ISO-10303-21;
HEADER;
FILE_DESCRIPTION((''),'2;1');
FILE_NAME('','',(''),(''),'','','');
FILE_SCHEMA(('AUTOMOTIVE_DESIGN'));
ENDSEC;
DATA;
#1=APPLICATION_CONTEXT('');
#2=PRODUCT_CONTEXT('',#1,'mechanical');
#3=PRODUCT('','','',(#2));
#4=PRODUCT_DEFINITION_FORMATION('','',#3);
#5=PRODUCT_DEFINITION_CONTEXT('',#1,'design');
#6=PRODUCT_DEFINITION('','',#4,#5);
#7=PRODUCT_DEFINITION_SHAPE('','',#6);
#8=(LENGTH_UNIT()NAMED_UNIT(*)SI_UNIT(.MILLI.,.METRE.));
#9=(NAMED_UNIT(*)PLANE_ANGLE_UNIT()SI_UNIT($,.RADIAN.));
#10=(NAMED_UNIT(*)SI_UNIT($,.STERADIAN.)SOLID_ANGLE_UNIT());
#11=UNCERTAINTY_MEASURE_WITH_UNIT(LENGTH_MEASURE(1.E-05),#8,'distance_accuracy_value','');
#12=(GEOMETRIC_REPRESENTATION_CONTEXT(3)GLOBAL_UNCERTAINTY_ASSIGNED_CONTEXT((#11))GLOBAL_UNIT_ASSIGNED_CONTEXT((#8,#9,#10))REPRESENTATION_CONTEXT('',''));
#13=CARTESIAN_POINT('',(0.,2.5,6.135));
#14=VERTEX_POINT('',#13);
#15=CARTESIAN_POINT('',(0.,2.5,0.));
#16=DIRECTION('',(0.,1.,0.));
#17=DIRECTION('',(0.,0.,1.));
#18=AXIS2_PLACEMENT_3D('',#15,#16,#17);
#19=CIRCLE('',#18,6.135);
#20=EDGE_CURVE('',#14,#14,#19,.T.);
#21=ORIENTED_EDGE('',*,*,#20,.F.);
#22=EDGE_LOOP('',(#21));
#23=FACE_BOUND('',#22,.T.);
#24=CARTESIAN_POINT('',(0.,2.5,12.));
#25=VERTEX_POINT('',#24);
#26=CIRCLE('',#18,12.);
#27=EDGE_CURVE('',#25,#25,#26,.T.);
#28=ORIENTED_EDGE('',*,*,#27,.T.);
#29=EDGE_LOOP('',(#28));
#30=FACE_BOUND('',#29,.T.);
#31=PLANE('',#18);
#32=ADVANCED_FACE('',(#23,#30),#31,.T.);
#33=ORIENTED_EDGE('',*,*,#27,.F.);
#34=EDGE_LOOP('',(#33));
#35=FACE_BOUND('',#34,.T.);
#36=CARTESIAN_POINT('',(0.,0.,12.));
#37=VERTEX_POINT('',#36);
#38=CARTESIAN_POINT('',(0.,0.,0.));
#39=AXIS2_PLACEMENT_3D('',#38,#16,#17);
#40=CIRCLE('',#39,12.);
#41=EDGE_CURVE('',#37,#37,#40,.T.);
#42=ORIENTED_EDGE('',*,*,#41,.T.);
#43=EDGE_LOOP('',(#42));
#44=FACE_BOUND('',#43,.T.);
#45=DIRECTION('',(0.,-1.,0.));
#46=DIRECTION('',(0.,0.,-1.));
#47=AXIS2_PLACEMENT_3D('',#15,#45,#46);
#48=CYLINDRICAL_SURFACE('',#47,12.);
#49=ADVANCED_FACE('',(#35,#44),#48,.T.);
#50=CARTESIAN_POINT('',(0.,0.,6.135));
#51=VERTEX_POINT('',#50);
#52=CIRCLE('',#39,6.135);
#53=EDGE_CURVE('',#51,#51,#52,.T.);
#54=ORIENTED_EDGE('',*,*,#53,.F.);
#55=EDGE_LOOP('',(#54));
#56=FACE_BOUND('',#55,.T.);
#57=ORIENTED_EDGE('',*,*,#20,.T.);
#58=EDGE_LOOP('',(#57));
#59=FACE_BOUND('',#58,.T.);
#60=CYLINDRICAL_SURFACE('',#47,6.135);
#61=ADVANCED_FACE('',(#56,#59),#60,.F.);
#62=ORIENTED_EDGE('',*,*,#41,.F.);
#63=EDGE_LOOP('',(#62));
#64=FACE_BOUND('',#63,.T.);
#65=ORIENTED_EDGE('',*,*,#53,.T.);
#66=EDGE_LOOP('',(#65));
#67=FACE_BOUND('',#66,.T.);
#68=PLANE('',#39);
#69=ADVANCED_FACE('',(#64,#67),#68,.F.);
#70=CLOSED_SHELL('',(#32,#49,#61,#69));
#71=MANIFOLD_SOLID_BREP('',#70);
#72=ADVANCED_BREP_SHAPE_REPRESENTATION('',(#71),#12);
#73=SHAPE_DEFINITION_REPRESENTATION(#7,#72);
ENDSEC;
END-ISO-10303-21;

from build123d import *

# Parameters (mm, degrees)
SKETCH_1_R      = 12
SKETCH_1_R_2    = 6.135
EXTRUDE_1_DEPTH = 2.5


with BuildPart() as part:
    # Эскиз1 → Бобышка-Вытянуть1 (new body)
    with BuildSketch(Plane(origin=(0, 0, 0), x_dir=(1, 0, 0), z_dir=(0, 1, 0))):
        with Locations(Location((0, 0, 0), (0, 0, 270))):
            Circle(SKETCH_1_R)
        with Locations(Location((0, 0, 0), (0, 0, 270))):
            Circle(SKETCH_1_R_2, mode=Mode.SUBTRACT)
    extrude(amount=EXTRUDE_1_DEPTH)


solid = part.part
